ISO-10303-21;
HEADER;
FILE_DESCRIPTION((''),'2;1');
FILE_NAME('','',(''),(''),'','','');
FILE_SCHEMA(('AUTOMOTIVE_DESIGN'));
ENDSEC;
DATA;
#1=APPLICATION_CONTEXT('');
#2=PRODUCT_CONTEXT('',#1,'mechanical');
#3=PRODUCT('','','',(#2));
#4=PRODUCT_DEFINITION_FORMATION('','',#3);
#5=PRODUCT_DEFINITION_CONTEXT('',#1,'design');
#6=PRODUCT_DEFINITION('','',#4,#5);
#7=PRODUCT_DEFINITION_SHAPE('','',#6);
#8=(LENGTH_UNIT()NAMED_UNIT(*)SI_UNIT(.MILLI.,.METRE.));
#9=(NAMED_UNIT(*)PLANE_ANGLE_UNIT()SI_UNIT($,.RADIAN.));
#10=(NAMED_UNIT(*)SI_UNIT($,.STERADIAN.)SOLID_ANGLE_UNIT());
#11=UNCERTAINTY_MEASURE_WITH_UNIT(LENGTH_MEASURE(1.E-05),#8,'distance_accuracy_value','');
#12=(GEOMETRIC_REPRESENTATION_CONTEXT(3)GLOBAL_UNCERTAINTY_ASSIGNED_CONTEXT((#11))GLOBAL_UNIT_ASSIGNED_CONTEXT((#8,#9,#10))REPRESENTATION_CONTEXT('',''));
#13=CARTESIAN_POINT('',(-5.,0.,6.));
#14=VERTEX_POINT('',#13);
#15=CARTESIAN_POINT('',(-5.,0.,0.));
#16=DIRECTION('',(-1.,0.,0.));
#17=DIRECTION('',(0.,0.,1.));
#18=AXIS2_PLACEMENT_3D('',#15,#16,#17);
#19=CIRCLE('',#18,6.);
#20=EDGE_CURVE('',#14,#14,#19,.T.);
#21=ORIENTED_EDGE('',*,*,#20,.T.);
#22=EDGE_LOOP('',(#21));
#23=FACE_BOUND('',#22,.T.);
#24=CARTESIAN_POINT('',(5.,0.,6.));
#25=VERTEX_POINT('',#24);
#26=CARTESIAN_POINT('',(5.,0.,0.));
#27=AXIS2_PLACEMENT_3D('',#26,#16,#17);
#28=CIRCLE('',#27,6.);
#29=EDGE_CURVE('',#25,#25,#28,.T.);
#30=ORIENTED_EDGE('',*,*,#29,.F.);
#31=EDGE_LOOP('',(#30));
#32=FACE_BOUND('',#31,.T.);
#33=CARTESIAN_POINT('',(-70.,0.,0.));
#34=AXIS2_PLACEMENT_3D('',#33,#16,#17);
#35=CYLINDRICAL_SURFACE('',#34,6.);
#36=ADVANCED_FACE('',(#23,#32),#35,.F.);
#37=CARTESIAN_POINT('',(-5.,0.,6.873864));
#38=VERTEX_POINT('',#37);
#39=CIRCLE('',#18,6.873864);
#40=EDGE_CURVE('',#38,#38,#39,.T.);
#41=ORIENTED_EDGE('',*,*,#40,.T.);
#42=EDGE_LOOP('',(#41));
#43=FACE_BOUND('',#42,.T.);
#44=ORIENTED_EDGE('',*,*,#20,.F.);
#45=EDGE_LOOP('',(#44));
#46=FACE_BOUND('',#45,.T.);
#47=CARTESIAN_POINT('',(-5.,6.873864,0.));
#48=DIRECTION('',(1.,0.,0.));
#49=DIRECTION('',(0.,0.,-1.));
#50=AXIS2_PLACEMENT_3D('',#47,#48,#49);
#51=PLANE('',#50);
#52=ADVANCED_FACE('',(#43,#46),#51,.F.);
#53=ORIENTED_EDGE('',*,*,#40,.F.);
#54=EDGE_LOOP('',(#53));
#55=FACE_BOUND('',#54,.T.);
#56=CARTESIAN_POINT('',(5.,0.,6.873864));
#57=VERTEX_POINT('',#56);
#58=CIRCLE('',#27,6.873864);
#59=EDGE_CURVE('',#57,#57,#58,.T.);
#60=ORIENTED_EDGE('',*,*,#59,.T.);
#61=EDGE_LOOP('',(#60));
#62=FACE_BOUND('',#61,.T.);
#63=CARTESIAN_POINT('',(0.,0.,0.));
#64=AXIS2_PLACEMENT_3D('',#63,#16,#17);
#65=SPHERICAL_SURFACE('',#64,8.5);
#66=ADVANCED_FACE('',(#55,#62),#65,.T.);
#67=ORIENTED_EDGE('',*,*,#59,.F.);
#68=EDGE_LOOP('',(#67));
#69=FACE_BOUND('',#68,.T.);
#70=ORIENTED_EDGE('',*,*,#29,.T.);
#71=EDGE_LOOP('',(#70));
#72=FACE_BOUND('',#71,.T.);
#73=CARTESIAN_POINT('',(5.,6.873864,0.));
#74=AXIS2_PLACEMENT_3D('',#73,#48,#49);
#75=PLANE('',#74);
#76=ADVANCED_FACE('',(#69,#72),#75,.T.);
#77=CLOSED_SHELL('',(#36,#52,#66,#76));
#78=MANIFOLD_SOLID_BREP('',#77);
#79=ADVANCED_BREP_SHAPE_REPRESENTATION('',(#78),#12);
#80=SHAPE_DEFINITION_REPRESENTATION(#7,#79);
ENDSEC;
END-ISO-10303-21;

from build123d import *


with BuildPart() as part:
    # Esquisse1 → Base-Révolution (revolve)
    with BuildSketch(Plane.XY, mode=Mode.PRIVATE) as base_r_volution_sk:
        with BuildLine():
            Line((5, 6.873863542), (5, 6))
            Line((5, 6), (-5, 6))
            Line((-5, 6), (-5, 6.873863542))
            ThreePointArc((-5, 6.873863542), (0, 8.5), (5, 6.873863542))
        make_face()
    revolve(base_r_volution_sk.sketch.rotate(Axis((-70, 0, 0), (1, 0, 0)), 90), axis=Axis((-70, 0, 0), (1, 0, 0)))


solid = part.part
